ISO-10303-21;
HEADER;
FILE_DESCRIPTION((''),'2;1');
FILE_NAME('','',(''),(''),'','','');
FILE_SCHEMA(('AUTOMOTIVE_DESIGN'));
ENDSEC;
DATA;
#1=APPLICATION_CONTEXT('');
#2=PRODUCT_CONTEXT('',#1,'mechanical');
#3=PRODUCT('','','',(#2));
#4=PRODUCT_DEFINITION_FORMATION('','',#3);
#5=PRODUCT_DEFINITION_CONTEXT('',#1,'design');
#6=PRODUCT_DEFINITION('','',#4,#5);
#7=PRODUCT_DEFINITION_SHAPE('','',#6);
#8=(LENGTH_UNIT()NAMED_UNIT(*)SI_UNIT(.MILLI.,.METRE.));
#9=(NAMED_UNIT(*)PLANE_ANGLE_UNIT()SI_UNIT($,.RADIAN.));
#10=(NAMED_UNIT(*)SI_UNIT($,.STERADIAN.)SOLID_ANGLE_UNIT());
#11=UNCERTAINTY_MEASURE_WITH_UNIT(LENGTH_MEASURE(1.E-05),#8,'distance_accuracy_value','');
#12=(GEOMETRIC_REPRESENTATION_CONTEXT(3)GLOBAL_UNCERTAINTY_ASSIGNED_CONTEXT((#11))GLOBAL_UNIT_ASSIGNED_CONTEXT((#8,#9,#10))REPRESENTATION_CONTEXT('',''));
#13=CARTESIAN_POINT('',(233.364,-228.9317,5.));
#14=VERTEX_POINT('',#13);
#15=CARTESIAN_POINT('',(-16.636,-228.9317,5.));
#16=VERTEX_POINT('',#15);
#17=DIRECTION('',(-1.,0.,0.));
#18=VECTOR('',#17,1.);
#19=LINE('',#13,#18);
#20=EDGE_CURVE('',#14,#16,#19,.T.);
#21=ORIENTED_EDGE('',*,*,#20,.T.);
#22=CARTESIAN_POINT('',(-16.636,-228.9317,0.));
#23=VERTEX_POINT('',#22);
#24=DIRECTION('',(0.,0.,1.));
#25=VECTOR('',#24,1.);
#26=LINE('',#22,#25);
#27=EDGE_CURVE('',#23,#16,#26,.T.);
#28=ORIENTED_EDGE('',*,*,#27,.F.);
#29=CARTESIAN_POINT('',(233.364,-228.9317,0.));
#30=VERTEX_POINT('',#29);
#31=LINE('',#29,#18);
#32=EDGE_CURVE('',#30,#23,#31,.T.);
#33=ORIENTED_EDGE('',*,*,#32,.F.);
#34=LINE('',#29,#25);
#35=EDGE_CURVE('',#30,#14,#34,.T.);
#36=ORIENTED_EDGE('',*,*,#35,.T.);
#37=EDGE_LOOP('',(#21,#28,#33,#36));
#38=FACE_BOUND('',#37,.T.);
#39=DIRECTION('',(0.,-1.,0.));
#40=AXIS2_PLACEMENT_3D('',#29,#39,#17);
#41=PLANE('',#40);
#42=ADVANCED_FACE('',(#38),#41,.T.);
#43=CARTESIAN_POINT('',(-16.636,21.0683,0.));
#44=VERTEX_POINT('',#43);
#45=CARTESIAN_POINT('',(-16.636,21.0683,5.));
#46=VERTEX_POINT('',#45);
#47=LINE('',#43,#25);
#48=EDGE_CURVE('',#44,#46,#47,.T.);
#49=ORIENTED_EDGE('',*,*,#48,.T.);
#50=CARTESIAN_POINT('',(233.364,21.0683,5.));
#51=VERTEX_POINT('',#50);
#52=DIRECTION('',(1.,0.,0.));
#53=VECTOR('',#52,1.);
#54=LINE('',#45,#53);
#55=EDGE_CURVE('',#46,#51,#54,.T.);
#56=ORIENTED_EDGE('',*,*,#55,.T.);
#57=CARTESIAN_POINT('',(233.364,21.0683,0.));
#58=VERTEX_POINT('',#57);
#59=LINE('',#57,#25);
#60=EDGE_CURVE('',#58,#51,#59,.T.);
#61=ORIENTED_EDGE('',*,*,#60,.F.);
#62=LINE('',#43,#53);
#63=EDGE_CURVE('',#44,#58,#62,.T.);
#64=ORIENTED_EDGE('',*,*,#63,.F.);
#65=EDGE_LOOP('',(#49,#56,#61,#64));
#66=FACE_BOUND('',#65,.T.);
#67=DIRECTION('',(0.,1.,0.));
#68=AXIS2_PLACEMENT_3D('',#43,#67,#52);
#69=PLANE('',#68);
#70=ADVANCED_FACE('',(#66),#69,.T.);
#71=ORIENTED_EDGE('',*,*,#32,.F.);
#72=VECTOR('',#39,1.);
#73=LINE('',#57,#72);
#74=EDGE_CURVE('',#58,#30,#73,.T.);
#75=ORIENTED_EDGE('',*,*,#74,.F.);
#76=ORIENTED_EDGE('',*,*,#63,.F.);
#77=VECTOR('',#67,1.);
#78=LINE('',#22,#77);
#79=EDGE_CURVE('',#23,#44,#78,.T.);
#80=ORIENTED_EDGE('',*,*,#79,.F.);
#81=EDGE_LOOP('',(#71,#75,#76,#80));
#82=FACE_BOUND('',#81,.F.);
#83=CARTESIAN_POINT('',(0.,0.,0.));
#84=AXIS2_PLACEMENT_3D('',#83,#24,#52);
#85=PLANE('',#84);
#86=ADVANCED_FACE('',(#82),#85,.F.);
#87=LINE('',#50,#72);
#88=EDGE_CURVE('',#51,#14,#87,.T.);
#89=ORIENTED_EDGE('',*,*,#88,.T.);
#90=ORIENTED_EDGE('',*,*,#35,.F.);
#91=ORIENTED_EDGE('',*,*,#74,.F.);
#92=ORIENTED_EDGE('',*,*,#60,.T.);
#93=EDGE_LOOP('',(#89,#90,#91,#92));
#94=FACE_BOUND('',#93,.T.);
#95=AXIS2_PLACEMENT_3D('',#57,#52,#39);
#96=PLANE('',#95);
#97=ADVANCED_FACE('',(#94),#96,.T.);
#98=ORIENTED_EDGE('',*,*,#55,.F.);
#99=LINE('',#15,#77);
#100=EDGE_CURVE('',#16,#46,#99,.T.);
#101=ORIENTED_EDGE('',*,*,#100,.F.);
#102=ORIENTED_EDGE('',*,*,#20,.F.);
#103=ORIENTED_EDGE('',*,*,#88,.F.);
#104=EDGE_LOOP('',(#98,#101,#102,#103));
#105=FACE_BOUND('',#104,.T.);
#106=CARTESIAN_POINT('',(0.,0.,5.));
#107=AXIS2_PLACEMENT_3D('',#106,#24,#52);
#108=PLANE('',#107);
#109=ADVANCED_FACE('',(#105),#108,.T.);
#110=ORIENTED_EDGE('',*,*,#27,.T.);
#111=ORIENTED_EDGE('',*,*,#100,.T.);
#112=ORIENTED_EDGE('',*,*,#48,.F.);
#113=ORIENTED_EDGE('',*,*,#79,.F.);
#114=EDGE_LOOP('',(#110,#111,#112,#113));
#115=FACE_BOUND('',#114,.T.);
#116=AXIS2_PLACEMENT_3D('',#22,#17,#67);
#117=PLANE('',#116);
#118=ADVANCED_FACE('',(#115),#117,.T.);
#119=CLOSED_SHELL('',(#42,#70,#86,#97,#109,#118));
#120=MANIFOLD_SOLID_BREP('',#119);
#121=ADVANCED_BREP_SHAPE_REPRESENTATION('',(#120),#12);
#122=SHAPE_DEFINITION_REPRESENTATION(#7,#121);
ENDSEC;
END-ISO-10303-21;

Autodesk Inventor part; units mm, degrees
ref_plane "YZ Plane" through (0, 0, 0) normal (1, 0, 0) x (0, 1, 0)
ref_plane "XZ Plane" through (0, 0, 0) normal (0, 1, 0) x (-1, 0, 0)
ref_plane "XY Plane" through (0, 0, 0) normal (0, 0, 1) x (1, 0, 0)
sketch "Sketch1" plane through (0, 0, 0) normal (0, 0, 1) x (1, 0, 0)
  line L0 (-16.636, 21.0683) -> (233.364, 21.0683)
  line L1 (233.364, 21.0683) -> (233.364, -228.9317)
  line L2 (233.364, -228.9317) -> (-16.636, -228.9317)
  line L3 (-16.636, -228.9317) -> (-16.636, 21.0683)
  point P0 (0, 0)
  dimension "d0" = 250
  dimension "d1" = 250
  dimension "d2" = 90
  dimension "d3" = 250
extrude "Extrusion1" add sketch "Sketch1" along normal blind 5
